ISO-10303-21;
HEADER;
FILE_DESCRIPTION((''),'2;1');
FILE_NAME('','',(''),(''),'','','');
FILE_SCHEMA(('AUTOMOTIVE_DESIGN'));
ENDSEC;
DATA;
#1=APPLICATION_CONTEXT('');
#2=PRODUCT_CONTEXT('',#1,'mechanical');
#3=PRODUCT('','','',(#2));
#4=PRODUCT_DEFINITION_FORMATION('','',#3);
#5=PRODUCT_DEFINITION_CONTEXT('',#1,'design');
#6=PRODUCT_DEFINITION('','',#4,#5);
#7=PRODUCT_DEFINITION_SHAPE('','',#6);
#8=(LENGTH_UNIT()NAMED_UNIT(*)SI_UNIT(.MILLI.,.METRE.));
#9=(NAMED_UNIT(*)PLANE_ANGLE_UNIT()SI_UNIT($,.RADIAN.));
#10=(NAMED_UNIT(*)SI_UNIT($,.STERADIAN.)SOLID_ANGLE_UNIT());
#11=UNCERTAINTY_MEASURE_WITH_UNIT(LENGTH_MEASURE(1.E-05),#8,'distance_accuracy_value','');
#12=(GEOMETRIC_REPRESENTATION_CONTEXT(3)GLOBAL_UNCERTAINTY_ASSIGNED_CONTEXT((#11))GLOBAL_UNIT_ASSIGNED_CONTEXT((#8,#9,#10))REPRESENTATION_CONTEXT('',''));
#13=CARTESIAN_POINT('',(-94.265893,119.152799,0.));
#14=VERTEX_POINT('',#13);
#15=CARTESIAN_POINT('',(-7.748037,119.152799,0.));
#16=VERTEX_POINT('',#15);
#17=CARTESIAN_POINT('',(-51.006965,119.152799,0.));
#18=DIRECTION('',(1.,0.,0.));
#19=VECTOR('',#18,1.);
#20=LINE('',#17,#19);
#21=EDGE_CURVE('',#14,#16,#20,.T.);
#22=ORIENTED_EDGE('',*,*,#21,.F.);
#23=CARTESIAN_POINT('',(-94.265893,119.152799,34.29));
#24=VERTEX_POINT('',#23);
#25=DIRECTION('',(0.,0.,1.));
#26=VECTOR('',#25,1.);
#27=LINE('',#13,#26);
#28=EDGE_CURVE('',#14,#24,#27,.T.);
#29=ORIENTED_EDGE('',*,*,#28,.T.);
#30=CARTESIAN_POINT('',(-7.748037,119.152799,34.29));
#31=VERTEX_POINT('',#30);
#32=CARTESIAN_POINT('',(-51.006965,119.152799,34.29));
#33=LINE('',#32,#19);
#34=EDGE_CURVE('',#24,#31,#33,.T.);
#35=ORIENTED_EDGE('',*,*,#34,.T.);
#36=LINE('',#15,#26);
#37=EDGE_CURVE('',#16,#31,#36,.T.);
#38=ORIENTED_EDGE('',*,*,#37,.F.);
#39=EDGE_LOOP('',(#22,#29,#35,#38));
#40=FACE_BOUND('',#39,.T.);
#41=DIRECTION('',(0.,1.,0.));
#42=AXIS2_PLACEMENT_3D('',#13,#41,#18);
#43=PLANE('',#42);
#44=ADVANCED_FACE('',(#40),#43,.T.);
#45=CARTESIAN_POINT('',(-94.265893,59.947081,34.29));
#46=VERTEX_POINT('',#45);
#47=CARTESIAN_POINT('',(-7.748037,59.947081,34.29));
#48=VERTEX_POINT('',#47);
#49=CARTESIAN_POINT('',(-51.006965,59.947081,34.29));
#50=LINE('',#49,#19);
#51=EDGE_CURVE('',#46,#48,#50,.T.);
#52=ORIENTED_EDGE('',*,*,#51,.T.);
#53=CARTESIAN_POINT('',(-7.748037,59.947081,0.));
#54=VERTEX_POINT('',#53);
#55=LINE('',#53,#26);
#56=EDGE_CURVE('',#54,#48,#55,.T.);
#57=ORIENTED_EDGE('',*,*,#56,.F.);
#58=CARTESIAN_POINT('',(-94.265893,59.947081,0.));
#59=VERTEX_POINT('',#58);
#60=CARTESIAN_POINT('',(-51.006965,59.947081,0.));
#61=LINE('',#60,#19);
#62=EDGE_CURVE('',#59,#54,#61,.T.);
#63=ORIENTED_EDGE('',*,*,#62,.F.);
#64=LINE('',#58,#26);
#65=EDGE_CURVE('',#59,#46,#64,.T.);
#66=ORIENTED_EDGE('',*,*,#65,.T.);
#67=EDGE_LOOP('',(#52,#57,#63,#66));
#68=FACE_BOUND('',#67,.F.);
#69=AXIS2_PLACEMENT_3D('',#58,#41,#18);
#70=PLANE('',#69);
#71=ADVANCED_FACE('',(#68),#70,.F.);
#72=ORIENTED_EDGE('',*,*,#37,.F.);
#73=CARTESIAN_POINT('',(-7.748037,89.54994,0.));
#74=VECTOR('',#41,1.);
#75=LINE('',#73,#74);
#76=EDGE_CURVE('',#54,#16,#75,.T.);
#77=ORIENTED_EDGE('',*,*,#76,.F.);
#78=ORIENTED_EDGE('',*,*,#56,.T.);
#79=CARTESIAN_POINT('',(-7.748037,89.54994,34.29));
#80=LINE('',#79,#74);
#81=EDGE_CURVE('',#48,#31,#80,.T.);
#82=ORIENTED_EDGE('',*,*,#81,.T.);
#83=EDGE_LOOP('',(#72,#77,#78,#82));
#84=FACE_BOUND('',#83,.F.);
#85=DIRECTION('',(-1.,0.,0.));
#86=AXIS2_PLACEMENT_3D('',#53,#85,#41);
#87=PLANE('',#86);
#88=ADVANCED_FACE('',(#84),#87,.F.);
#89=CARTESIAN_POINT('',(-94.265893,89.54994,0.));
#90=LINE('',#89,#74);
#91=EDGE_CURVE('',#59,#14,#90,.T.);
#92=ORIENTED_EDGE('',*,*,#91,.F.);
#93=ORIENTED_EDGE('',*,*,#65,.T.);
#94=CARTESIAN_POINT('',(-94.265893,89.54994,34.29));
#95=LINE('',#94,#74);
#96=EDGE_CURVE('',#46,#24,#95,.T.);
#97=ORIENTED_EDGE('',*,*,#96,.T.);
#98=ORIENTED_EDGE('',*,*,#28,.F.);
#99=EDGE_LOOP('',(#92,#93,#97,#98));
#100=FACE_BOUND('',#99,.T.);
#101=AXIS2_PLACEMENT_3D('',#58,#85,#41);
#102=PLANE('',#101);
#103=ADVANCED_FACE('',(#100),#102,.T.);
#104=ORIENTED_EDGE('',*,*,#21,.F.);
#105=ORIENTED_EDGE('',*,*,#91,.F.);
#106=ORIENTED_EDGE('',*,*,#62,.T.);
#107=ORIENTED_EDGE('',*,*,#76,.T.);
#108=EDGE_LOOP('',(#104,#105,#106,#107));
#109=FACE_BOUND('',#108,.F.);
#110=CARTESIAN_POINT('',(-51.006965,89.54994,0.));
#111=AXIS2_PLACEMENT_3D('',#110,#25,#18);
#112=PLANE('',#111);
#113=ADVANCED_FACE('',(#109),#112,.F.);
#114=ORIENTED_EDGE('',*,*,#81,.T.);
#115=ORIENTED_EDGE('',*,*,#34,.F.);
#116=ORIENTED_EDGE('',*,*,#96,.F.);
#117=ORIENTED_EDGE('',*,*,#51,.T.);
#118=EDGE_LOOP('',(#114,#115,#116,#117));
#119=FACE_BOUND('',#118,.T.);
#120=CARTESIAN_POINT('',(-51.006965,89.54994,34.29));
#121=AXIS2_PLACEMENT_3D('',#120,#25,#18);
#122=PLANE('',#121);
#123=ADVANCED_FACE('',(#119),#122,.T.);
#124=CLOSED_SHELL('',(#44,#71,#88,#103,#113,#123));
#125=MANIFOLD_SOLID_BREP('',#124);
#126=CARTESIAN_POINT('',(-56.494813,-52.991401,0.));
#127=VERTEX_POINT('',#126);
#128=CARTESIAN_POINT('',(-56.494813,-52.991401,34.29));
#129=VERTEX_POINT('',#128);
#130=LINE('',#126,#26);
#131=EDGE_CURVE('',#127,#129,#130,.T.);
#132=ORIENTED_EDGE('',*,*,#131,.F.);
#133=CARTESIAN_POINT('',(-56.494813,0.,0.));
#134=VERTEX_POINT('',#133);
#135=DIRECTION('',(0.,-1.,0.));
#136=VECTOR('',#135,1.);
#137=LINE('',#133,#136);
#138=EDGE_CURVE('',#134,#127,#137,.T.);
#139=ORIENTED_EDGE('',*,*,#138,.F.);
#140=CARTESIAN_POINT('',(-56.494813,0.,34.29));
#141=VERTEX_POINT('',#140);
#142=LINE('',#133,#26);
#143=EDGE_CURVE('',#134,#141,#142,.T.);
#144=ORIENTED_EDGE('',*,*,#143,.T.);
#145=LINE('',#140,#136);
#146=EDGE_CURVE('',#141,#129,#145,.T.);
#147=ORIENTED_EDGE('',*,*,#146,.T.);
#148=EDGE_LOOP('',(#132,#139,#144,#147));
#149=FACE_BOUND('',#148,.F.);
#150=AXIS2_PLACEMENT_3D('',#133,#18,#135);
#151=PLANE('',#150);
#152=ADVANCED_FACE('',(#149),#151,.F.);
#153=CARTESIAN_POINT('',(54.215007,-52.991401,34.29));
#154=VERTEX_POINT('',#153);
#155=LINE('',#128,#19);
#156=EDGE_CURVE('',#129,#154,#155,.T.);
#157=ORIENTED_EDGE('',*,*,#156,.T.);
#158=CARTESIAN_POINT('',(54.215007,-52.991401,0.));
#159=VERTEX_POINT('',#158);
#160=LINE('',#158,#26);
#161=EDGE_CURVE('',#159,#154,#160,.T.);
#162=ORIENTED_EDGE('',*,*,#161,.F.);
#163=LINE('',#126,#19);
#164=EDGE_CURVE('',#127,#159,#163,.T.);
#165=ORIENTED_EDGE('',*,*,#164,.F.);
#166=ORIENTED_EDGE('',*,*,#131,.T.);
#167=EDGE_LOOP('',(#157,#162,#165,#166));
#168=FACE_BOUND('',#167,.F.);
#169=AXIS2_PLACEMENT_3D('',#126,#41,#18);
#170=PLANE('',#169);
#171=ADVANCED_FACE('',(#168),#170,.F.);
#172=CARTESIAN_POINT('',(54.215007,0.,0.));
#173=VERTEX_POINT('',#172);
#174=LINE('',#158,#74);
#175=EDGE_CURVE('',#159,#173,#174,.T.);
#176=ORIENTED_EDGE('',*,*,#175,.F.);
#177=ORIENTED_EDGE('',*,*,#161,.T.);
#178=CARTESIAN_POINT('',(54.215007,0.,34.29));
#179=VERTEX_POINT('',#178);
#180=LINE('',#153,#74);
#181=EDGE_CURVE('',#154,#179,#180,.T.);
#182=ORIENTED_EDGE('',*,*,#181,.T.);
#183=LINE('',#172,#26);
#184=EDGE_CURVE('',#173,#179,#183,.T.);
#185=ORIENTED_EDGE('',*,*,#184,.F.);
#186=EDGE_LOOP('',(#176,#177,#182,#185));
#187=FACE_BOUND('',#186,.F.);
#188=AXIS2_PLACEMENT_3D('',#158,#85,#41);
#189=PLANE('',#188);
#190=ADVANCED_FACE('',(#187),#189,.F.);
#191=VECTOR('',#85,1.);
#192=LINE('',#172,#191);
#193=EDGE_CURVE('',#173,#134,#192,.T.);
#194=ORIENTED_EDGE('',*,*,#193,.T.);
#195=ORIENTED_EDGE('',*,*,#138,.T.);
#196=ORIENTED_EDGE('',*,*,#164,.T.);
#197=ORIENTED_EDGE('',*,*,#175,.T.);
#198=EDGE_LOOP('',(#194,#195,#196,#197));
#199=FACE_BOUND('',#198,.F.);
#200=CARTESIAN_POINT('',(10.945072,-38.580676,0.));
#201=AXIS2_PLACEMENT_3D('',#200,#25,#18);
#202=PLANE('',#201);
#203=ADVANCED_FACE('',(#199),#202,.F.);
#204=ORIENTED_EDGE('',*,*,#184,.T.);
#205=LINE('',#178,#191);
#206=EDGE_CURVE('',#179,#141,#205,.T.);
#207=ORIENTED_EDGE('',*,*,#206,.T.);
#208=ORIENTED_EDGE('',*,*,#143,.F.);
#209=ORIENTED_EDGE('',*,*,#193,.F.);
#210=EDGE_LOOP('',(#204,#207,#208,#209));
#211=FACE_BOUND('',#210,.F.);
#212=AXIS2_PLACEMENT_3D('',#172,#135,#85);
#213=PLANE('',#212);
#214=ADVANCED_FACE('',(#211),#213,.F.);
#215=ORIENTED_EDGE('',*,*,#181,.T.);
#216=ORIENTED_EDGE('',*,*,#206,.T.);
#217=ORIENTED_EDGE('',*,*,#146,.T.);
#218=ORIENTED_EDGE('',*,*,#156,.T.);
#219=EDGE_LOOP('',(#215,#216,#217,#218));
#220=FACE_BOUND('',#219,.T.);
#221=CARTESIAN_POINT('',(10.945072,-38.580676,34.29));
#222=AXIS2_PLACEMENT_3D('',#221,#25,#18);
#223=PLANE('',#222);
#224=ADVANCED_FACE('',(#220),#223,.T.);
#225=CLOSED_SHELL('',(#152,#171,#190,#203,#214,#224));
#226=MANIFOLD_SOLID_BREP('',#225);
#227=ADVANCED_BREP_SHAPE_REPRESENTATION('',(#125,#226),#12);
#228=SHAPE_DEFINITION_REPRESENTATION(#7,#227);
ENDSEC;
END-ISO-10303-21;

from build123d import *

# Parameters (mm, degrees)
F0_W     = 86.5178564563
F0_H     = 59.2057183385
F1_DEPTH = 34.29
F0_W_2   = 81.3378058374
F0_H_2   = 48.6446656287


with BuildPart() as f1:
    # F0 (on Top) → F1 (new body)
    with BuildSketch(Plane.XY):
        with Locations((-51.0069648735, 89.5499400795)):
            Rectangle(F0_W, F0_H)
    extrude(amount=F1_DEPTH)


with BuildPart() as f1b:
    # F0 (on Top) → F1, piece 2 (new body)
    with BuildSketch(Plane.XY):
        Polygon((54.2150065303, 0), (24.842992425, 0), (24.842992425, -48.6446656287), (-56.4948134124, -48.6446656287), (-56.4948134124, -52.9914014041), (54.2150065303, -52.9914014041), align=None)
        with Locations((-15.8259104937, -24.3223328143)):
            Rectangle(F0_W_2, F0_H_2)
    extrude(amount=F1_DEPTH)


solid = Compound([f1.part, f1b.part])
